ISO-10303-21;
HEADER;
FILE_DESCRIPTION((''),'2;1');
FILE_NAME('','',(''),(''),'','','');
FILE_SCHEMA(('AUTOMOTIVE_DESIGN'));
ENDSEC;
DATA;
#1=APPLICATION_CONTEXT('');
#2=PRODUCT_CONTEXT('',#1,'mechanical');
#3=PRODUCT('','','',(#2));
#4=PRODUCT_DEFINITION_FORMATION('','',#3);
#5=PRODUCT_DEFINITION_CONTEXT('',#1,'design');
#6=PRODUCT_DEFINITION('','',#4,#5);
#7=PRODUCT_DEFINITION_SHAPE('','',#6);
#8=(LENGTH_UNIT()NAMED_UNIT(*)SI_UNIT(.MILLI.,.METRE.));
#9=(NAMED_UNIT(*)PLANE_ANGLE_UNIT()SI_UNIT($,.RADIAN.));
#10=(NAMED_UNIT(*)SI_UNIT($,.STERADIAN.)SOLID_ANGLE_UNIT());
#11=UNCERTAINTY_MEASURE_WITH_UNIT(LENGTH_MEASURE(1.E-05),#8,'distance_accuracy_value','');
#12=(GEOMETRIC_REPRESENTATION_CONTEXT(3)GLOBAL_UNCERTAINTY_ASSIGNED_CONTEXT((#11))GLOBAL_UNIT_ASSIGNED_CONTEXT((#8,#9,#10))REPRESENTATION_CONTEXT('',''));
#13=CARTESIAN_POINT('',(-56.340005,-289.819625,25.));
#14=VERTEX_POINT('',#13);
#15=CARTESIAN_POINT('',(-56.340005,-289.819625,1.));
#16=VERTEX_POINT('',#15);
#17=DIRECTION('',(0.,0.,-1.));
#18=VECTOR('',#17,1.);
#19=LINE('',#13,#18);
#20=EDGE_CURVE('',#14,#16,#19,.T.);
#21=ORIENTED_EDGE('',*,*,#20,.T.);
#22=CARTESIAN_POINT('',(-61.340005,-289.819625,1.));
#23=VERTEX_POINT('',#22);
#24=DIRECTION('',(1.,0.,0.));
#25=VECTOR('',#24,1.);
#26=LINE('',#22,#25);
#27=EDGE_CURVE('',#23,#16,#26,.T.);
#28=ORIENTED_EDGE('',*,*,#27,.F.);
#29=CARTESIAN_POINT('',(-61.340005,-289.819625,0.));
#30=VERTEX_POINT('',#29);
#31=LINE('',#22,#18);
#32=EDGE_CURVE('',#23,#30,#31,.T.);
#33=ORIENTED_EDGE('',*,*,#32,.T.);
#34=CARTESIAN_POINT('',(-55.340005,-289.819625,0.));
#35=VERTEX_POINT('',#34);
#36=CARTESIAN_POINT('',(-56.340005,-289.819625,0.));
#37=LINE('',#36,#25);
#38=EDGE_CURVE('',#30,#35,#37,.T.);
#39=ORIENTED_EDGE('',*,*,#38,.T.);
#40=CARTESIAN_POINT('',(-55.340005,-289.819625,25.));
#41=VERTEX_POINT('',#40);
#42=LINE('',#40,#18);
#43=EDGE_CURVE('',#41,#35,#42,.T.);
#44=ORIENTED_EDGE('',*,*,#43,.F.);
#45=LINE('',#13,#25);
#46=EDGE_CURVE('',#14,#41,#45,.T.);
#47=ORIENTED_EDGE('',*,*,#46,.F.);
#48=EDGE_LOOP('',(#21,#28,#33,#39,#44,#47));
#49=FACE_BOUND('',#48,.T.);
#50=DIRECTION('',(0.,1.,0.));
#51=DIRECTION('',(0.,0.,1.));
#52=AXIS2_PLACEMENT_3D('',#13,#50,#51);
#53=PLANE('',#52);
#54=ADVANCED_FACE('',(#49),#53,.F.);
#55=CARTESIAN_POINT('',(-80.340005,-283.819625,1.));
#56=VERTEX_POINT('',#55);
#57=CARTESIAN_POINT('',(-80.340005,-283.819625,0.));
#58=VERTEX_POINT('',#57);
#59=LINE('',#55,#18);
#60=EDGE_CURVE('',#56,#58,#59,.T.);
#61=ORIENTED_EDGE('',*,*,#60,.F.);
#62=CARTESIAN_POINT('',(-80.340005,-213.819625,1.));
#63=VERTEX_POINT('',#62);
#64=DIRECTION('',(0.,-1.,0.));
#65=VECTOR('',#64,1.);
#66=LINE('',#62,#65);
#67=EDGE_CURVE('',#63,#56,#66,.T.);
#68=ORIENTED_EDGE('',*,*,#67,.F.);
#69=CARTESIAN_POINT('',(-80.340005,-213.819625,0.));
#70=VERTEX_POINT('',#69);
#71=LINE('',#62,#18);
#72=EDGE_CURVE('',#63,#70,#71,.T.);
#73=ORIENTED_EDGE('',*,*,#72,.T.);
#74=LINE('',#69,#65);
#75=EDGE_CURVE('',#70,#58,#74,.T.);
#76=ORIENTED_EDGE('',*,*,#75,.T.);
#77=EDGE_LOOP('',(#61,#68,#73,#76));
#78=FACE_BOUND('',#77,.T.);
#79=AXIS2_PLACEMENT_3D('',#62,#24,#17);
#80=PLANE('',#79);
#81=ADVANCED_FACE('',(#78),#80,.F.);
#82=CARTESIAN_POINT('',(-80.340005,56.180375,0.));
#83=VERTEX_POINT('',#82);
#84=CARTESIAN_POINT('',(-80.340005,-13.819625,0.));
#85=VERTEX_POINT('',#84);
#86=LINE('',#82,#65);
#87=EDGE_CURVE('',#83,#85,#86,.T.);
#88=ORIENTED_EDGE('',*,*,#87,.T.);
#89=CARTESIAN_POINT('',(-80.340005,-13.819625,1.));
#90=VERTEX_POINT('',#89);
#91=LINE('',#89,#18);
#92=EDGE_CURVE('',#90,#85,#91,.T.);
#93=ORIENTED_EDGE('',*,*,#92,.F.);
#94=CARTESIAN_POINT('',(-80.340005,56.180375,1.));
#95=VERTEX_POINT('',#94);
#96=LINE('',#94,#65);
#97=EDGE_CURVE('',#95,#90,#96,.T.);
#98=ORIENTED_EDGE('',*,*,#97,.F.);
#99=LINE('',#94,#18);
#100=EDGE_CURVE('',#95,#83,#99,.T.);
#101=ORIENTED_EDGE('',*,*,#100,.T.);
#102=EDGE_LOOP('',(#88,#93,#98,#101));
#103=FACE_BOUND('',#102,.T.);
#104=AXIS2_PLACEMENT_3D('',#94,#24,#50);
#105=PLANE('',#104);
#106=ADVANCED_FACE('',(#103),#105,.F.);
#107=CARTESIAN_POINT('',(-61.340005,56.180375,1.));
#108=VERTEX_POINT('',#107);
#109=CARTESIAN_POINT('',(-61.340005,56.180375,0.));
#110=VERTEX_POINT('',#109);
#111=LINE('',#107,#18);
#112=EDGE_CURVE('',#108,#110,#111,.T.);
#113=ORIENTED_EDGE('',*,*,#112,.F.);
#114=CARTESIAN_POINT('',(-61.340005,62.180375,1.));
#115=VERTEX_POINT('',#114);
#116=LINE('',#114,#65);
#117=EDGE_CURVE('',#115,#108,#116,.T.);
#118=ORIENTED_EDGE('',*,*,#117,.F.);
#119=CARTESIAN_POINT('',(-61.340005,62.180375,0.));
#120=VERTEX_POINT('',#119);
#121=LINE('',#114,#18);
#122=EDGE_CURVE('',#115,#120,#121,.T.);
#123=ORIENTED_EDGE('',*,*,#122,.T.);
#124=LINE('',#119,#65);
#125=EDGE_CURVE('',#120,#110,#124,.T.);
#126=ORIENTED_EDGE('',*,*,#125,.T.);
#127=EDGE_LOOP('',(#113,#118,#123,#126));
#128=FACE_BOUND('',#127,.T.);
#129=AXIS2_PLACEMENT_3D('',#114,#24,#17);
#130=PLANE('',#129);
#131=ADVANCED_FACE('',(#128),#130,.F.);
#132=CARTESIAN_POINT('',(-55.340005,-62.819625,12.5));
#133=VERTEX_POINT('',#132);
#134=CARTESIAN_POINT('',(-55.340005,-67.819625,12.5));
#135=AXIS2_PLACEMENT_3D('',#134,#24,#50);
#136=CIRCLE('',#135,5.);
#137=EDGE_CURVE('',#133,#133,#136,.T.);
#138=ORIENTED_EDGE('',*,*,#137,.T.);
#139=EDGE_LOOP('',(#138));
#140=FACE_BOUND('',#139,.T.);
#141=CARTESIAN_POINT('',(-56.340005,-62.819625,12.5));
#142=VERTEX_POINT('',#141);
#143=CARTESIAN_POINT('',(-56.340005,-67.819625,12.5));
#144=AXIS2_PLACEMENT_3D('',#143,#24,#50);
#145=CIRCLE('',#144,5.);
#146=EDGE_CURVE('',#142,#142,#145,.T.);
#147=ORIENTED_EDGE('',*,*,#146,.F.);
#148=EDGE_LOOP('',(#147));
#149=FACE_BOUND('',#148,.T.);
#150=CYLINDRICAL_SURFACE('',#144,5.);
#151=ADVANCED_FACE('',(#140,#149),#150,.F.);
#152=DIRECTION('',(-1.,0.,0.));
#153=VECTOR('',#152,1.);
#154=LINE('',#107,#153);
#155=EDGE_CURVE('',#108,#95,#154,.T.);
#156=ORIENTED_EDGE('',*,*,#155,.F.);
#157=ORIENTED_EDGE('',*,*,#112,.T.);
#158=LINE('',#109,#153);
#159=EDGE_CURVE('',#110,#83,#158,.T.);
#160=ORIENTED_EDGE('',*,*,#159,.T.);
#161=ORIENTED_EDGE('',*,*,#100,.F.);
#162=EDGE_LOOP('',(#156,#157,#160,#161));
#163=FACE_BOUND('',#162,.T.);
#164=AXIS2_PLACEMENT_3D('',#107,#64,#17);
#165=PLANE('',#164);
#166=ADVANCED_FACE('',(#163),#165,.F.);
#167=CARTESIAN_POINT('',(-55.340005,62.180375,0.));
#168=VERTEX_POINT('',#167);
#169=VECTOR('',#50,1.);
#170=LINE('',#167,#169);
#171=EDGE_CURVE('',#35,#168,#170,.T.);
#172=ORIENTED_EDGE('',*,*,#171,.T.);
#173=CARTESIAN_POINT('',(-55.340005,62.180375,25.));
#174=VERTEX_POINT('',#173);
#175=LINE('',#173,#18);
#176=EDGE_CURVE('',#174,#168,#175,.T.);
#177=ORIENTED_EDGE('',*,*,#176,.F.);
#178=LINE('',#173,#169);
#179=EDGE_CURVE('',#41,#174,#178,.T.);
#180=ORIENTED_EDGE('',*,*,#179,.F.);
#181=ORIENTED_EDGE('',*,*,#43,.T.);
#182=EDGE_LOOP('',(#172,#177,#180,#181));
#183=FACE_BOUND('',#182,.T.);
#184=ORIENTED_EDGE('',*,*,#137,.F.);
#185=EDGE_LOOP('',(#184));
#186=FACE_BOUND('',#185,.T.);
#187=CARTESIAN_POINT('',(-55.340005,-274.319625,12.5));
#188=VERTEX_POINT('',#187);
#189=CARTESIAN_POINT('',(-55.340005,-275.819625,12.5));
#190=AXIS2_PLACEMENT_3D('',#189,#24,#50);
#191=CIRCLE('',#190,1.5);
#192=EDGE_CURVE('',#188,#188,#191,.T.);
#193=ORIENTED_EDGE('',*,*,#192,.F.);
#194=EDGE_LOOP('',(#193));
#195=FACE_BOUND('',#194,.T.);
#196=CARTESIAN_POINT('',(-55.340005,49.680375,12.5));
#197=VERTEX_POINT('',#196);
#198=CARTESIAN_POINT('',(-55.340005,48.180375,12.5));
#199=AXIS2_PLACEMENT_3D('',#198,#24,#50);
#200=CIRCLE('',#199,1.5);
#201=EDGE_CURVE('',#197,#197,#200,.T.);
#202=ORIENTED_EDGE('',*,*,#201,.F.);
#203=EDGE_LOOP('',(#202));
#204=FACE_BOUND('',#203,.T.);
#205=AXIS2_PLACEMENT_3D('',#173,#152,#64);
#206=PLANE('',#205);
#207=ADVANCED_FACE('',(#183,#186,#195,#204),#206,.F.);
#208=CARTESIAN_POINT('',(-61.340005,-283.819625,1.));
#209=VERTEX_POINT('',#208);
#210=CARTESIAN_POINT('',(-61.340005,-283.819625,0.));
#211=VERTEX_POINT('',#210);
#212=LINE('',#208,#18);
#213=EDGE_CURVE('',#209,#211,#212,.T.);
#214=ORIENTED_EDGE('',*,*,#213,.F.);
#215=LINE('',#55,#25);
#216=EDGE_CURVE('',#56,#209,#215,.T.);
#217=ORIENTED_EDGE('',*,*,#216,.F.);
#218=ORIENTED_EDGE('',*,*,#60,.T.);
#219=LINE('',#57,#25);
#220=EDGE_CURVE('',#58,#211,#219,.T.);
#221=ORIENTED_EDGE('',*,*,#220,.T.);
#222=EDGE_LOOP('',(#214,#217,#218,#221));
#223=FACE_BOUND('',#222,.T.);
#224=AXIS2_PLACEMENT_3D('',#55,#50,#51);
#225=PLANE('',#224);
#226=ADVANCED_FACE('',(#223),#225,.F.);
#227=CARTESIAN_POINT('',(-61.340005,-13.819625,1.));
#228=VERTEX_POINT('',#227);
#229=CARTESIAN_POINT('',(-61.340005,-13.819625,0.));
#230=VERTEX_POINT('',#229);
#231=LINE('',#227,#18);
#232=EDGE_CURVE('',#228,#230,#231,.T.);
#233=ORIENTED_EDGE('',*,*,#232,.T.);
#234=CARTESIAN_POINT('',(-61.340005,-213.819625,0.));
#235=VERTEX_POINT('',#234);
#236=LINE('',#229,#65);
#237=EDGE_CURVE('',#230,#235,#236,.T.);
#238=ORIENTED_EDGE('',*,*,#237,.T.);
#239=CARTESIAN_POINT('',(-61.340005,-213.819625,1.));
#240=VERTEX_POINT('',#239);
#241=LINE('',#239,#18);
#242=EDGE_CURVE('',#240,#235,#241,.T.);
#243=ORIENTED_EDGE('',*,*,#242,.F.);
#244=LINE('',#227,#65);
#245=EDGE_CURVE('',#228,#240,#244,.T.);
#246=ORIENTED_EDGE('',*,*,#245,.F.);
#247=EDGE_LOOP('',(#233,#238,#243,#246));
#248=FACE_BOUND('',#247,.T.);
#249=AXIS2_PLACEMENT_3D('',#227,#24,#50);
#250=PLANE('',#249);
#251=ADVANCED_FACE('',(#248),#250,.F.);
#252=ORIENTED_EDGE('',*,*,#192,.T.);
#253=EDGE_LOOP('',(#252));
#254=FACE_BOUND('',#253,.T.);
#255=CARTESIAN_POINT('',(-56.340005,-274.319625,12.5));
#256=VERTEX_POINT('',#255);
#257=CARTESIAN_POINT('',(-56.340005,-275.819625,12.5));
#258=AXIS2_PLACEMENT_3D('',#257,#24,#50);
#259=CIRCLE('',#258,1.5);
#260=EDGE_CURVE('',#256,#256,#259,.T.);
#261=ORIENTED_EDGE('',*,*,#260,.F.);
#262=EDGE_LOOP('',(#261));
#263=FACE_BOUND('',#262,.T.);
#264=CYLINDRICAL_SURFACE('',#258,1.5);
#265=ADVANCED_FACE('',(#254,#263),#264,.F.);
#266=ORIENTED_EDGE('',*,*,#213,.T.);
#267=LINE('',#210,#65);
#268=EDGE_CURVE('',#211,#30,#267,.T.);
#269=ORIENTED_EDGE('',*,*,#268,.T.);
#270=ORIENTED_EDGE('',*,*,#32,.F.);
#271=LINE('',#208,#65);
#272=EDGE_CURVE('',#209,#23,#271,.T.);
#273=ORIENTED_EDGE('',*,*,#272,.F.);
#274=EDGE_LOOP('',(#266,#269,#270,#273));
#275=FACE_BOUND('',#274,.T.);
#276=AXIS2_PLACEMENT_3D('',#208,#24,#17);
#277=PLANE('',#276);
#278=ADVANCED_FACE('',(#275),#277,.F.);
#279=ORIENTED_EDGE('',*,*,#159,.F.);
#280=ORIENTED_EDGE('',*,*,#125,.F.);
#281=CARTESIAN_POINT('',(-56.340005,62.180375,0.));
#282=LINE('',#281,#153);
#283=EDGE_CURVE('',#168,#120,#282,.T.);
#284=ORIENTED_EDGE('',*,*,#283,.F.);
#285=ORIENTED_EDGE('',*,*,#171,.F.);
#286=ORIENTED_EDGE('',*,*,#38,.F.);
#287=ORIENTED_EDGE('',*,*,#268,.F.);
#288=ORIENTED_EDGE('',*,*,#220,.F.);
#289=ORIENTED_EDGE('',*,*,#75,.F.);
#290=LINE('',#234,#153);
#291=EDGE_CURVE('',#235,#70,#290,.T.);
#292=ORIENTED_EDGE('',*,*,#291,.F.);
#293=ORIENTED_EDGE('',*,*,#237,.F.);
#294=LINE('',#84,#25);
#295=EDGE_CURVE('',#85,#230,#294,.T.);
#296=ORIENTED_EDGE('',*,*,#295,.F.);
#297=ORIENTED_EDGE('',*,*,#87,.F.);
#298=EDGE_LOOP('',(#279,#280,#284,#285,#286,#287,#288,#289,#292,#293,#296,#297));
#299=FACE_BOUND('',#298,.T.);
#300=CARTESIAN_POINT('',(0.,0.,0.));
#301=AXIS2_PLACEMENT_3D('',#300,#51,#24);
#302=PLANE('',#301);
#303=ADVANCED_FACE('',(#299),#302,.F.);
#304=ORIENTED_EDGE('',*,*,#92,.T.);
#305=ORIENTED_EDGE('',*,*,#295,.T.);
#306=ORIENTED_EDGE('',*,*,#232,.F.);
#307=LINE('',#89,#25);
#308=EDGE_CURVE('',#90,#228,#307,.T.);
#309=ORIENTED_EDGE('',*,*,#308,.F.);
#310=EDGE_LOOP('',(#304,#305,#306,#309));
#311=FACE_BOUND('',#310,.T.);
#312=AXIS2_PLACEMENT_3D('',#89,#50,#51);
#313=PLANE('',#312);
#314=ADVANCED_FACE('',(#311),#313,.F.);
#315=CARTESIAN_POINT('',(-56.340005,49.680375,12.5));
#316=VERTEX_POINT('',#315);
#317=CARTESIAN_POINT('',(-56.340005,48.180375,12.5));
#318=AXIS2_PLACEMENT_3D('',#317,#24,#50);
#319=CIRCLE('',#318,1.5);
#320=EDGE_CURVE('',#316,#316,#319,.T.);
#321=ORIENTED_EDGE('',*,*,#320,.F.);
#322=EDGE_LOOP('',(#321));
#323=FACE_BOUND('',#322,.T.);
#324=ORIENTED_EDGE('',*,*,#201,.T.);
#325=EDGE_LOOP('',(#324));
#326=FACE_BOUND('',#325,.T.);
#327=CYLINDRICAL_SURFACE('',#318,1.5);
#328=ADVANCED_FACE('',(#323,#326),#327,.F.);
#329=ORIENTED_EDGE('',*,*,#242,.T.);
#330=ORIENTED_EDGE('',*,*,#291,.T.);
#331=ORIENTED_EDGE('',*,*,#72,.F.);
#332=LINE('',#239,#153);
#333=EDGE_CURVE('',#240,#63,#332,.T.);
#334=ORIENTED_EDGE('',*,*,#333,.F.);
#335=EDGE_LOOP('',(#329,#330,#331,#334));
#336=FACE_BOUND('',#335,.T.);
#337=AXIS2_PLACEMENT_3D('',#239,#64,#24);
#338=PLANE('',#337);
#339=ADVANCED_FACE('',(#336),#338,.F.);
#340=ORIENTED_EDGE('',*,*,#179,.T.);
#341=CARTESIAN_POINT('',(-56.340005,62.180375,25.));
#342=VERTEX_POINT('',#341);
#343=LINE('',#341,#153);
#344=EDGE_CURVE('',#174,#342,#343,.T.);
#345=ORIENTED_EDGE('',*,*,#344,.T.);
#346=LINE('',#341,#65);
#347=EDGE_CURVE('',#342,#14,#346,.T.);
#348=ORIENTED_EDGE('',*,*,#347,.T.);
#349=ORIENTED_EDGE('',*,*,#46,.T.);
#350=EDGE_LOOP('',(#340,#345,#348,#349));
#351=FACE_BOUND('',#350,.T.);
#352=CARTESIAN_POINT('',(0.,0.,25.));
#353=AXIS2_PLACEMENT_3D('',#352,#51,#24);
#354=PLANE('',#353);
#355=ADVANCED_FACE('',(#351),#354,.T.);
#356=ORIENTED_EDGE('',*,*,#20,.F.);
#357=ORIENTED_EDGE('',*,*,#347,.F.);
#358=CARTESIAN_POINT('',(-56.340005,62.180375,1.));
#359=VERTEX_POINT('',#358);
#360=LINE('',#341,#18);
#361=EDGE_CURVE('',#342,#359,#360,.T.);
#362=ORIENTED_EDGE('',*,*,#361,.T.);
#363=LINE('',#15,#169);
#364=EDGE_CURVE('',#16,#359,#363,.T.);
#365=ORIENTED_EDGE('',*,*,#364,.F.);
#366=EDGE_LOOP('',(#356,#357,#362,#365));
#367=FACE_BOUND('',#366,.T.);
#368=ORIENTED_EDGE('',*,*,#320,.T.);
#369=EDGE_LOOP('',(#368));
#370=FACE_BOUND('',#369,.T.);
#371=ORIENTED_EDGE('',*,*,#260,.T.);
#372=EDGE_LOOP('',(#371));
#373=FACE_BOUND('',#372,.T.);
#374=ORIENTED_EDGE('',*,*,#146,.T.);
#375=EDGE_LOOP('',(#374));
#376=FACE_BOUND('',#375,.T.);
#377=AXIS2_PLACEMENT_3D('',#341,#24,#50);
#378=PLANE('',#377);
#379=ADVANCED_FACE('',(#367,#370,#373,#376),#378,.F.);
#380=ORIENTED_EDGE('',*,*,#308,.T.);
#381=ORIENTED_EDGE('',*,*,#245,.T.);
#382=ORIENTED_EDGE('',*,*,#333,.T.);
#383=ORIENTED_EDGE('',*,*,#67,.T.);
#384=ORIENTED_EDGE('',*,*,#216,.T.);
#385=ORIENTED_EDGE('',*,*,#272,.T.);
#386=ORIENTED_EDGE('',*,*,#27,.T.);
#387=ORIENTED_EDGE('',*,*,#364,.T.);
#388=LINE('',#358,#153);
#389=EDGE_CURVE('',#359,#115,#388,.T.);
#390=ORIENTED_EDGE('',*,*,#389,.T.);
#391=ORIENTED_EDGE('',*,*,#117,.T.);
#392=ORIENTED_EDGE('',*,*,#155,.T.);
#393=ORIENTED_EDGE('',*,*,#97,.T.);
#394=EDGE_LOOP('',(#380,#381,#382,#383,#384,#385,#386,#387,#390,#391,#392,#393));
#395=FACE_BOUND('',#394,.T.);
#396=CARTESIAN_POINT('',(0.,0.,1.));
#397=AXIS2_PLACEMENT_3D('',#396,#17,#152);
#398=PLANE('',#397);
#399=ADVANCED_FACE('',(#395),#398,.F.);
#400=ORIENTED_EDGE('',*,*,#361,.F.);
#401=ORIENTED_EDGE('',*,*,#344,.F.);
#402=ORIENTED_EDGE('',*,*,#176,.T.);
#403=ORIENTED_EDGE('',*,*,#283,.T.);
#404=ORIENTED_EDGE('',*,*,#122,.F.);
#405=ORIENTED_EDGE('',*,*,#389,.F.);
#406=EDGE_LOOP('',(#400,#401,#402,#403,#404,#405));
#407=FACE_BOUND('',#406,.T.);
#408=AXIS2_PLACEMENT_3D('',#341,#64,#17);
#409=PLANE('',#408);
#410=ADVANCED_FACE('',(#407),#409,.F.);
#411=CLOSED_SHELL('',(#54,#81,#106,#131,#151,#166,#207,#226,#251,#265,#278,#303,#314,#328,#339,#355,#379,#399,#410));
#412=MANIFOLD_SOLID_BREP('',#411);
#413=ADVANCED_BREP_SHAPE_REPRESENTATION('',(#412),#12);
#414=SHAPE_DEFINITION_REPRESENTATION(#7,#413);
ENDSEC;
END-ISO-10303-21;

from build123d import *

# Parameters (mm, degrees)
CROQUIS2_W              = 1
CROQUIS2_H              = 352
SALIENTE_EXTRUIR2_DEPTH = 25
CROQUIS5_R              = 1.5
CROQUIS5_R_2            = 5
CORTAR_EXTRUIR2_DEPTH   = 1
SALIENTE_EXTRUIR3_DEPTH = 1


with BuildPart() as part:
    # Croquis2 → Saliente-Extruir2 (new body)
    with BuildSketch(Plane.XY):
        with Locations((-55.840004841, -113.819624774)):
            Rectangle(CROQUIS2_W, CROQUIS2_H)
    extrude(amount=SALIENTE_EXTRUIR2_DEPTH)

    # Croquis5 → Cortar-Extruir2 (cut)
    with BuildSketch(Plane(origin=(-55.340004841, 0, 0), x_dir=(0, 0, -1), z_dir=(1, 0, 0))):
        with Locations((-12.5, 48.180375226)):
            Circle(CROQUIS5_R)
        with Locations((-12.5, -275.819624774)):
            Circle(CROQUIS5_R)
        with Locations((-12.5, -67.819624774)):
            Circle(CROQUIS5_R_2)
    extrude(amount=-CORTAR_EXTRUIR2_DEPTH, mode=Mode.SUBTRACT)

    # Croquis1 → Saliente-Extruir3 (add)
    with BuildSketch(Plane.XY):
        Polygon((-56.340004841, 62.180375226), (-61.340004841, 62.180375226), (-61.340004841, 56.180375226), (-80.340004841, 56.180375226), (-80.340004841, -13.819624774), (-61.340004841, -13.819624774), (-61.340004841, -213.819624774), (-80.340004841, -213.819624774), (-80.340004841, -283.819624774), (-61.340004841, -283.819624774), (-61.340004841, -289.819624774), (-56.340004841, -289.819624774), align=None)
    extrude(amount=SALIENTE_EXTRUIR3_DEPTH)


solid = part.part
